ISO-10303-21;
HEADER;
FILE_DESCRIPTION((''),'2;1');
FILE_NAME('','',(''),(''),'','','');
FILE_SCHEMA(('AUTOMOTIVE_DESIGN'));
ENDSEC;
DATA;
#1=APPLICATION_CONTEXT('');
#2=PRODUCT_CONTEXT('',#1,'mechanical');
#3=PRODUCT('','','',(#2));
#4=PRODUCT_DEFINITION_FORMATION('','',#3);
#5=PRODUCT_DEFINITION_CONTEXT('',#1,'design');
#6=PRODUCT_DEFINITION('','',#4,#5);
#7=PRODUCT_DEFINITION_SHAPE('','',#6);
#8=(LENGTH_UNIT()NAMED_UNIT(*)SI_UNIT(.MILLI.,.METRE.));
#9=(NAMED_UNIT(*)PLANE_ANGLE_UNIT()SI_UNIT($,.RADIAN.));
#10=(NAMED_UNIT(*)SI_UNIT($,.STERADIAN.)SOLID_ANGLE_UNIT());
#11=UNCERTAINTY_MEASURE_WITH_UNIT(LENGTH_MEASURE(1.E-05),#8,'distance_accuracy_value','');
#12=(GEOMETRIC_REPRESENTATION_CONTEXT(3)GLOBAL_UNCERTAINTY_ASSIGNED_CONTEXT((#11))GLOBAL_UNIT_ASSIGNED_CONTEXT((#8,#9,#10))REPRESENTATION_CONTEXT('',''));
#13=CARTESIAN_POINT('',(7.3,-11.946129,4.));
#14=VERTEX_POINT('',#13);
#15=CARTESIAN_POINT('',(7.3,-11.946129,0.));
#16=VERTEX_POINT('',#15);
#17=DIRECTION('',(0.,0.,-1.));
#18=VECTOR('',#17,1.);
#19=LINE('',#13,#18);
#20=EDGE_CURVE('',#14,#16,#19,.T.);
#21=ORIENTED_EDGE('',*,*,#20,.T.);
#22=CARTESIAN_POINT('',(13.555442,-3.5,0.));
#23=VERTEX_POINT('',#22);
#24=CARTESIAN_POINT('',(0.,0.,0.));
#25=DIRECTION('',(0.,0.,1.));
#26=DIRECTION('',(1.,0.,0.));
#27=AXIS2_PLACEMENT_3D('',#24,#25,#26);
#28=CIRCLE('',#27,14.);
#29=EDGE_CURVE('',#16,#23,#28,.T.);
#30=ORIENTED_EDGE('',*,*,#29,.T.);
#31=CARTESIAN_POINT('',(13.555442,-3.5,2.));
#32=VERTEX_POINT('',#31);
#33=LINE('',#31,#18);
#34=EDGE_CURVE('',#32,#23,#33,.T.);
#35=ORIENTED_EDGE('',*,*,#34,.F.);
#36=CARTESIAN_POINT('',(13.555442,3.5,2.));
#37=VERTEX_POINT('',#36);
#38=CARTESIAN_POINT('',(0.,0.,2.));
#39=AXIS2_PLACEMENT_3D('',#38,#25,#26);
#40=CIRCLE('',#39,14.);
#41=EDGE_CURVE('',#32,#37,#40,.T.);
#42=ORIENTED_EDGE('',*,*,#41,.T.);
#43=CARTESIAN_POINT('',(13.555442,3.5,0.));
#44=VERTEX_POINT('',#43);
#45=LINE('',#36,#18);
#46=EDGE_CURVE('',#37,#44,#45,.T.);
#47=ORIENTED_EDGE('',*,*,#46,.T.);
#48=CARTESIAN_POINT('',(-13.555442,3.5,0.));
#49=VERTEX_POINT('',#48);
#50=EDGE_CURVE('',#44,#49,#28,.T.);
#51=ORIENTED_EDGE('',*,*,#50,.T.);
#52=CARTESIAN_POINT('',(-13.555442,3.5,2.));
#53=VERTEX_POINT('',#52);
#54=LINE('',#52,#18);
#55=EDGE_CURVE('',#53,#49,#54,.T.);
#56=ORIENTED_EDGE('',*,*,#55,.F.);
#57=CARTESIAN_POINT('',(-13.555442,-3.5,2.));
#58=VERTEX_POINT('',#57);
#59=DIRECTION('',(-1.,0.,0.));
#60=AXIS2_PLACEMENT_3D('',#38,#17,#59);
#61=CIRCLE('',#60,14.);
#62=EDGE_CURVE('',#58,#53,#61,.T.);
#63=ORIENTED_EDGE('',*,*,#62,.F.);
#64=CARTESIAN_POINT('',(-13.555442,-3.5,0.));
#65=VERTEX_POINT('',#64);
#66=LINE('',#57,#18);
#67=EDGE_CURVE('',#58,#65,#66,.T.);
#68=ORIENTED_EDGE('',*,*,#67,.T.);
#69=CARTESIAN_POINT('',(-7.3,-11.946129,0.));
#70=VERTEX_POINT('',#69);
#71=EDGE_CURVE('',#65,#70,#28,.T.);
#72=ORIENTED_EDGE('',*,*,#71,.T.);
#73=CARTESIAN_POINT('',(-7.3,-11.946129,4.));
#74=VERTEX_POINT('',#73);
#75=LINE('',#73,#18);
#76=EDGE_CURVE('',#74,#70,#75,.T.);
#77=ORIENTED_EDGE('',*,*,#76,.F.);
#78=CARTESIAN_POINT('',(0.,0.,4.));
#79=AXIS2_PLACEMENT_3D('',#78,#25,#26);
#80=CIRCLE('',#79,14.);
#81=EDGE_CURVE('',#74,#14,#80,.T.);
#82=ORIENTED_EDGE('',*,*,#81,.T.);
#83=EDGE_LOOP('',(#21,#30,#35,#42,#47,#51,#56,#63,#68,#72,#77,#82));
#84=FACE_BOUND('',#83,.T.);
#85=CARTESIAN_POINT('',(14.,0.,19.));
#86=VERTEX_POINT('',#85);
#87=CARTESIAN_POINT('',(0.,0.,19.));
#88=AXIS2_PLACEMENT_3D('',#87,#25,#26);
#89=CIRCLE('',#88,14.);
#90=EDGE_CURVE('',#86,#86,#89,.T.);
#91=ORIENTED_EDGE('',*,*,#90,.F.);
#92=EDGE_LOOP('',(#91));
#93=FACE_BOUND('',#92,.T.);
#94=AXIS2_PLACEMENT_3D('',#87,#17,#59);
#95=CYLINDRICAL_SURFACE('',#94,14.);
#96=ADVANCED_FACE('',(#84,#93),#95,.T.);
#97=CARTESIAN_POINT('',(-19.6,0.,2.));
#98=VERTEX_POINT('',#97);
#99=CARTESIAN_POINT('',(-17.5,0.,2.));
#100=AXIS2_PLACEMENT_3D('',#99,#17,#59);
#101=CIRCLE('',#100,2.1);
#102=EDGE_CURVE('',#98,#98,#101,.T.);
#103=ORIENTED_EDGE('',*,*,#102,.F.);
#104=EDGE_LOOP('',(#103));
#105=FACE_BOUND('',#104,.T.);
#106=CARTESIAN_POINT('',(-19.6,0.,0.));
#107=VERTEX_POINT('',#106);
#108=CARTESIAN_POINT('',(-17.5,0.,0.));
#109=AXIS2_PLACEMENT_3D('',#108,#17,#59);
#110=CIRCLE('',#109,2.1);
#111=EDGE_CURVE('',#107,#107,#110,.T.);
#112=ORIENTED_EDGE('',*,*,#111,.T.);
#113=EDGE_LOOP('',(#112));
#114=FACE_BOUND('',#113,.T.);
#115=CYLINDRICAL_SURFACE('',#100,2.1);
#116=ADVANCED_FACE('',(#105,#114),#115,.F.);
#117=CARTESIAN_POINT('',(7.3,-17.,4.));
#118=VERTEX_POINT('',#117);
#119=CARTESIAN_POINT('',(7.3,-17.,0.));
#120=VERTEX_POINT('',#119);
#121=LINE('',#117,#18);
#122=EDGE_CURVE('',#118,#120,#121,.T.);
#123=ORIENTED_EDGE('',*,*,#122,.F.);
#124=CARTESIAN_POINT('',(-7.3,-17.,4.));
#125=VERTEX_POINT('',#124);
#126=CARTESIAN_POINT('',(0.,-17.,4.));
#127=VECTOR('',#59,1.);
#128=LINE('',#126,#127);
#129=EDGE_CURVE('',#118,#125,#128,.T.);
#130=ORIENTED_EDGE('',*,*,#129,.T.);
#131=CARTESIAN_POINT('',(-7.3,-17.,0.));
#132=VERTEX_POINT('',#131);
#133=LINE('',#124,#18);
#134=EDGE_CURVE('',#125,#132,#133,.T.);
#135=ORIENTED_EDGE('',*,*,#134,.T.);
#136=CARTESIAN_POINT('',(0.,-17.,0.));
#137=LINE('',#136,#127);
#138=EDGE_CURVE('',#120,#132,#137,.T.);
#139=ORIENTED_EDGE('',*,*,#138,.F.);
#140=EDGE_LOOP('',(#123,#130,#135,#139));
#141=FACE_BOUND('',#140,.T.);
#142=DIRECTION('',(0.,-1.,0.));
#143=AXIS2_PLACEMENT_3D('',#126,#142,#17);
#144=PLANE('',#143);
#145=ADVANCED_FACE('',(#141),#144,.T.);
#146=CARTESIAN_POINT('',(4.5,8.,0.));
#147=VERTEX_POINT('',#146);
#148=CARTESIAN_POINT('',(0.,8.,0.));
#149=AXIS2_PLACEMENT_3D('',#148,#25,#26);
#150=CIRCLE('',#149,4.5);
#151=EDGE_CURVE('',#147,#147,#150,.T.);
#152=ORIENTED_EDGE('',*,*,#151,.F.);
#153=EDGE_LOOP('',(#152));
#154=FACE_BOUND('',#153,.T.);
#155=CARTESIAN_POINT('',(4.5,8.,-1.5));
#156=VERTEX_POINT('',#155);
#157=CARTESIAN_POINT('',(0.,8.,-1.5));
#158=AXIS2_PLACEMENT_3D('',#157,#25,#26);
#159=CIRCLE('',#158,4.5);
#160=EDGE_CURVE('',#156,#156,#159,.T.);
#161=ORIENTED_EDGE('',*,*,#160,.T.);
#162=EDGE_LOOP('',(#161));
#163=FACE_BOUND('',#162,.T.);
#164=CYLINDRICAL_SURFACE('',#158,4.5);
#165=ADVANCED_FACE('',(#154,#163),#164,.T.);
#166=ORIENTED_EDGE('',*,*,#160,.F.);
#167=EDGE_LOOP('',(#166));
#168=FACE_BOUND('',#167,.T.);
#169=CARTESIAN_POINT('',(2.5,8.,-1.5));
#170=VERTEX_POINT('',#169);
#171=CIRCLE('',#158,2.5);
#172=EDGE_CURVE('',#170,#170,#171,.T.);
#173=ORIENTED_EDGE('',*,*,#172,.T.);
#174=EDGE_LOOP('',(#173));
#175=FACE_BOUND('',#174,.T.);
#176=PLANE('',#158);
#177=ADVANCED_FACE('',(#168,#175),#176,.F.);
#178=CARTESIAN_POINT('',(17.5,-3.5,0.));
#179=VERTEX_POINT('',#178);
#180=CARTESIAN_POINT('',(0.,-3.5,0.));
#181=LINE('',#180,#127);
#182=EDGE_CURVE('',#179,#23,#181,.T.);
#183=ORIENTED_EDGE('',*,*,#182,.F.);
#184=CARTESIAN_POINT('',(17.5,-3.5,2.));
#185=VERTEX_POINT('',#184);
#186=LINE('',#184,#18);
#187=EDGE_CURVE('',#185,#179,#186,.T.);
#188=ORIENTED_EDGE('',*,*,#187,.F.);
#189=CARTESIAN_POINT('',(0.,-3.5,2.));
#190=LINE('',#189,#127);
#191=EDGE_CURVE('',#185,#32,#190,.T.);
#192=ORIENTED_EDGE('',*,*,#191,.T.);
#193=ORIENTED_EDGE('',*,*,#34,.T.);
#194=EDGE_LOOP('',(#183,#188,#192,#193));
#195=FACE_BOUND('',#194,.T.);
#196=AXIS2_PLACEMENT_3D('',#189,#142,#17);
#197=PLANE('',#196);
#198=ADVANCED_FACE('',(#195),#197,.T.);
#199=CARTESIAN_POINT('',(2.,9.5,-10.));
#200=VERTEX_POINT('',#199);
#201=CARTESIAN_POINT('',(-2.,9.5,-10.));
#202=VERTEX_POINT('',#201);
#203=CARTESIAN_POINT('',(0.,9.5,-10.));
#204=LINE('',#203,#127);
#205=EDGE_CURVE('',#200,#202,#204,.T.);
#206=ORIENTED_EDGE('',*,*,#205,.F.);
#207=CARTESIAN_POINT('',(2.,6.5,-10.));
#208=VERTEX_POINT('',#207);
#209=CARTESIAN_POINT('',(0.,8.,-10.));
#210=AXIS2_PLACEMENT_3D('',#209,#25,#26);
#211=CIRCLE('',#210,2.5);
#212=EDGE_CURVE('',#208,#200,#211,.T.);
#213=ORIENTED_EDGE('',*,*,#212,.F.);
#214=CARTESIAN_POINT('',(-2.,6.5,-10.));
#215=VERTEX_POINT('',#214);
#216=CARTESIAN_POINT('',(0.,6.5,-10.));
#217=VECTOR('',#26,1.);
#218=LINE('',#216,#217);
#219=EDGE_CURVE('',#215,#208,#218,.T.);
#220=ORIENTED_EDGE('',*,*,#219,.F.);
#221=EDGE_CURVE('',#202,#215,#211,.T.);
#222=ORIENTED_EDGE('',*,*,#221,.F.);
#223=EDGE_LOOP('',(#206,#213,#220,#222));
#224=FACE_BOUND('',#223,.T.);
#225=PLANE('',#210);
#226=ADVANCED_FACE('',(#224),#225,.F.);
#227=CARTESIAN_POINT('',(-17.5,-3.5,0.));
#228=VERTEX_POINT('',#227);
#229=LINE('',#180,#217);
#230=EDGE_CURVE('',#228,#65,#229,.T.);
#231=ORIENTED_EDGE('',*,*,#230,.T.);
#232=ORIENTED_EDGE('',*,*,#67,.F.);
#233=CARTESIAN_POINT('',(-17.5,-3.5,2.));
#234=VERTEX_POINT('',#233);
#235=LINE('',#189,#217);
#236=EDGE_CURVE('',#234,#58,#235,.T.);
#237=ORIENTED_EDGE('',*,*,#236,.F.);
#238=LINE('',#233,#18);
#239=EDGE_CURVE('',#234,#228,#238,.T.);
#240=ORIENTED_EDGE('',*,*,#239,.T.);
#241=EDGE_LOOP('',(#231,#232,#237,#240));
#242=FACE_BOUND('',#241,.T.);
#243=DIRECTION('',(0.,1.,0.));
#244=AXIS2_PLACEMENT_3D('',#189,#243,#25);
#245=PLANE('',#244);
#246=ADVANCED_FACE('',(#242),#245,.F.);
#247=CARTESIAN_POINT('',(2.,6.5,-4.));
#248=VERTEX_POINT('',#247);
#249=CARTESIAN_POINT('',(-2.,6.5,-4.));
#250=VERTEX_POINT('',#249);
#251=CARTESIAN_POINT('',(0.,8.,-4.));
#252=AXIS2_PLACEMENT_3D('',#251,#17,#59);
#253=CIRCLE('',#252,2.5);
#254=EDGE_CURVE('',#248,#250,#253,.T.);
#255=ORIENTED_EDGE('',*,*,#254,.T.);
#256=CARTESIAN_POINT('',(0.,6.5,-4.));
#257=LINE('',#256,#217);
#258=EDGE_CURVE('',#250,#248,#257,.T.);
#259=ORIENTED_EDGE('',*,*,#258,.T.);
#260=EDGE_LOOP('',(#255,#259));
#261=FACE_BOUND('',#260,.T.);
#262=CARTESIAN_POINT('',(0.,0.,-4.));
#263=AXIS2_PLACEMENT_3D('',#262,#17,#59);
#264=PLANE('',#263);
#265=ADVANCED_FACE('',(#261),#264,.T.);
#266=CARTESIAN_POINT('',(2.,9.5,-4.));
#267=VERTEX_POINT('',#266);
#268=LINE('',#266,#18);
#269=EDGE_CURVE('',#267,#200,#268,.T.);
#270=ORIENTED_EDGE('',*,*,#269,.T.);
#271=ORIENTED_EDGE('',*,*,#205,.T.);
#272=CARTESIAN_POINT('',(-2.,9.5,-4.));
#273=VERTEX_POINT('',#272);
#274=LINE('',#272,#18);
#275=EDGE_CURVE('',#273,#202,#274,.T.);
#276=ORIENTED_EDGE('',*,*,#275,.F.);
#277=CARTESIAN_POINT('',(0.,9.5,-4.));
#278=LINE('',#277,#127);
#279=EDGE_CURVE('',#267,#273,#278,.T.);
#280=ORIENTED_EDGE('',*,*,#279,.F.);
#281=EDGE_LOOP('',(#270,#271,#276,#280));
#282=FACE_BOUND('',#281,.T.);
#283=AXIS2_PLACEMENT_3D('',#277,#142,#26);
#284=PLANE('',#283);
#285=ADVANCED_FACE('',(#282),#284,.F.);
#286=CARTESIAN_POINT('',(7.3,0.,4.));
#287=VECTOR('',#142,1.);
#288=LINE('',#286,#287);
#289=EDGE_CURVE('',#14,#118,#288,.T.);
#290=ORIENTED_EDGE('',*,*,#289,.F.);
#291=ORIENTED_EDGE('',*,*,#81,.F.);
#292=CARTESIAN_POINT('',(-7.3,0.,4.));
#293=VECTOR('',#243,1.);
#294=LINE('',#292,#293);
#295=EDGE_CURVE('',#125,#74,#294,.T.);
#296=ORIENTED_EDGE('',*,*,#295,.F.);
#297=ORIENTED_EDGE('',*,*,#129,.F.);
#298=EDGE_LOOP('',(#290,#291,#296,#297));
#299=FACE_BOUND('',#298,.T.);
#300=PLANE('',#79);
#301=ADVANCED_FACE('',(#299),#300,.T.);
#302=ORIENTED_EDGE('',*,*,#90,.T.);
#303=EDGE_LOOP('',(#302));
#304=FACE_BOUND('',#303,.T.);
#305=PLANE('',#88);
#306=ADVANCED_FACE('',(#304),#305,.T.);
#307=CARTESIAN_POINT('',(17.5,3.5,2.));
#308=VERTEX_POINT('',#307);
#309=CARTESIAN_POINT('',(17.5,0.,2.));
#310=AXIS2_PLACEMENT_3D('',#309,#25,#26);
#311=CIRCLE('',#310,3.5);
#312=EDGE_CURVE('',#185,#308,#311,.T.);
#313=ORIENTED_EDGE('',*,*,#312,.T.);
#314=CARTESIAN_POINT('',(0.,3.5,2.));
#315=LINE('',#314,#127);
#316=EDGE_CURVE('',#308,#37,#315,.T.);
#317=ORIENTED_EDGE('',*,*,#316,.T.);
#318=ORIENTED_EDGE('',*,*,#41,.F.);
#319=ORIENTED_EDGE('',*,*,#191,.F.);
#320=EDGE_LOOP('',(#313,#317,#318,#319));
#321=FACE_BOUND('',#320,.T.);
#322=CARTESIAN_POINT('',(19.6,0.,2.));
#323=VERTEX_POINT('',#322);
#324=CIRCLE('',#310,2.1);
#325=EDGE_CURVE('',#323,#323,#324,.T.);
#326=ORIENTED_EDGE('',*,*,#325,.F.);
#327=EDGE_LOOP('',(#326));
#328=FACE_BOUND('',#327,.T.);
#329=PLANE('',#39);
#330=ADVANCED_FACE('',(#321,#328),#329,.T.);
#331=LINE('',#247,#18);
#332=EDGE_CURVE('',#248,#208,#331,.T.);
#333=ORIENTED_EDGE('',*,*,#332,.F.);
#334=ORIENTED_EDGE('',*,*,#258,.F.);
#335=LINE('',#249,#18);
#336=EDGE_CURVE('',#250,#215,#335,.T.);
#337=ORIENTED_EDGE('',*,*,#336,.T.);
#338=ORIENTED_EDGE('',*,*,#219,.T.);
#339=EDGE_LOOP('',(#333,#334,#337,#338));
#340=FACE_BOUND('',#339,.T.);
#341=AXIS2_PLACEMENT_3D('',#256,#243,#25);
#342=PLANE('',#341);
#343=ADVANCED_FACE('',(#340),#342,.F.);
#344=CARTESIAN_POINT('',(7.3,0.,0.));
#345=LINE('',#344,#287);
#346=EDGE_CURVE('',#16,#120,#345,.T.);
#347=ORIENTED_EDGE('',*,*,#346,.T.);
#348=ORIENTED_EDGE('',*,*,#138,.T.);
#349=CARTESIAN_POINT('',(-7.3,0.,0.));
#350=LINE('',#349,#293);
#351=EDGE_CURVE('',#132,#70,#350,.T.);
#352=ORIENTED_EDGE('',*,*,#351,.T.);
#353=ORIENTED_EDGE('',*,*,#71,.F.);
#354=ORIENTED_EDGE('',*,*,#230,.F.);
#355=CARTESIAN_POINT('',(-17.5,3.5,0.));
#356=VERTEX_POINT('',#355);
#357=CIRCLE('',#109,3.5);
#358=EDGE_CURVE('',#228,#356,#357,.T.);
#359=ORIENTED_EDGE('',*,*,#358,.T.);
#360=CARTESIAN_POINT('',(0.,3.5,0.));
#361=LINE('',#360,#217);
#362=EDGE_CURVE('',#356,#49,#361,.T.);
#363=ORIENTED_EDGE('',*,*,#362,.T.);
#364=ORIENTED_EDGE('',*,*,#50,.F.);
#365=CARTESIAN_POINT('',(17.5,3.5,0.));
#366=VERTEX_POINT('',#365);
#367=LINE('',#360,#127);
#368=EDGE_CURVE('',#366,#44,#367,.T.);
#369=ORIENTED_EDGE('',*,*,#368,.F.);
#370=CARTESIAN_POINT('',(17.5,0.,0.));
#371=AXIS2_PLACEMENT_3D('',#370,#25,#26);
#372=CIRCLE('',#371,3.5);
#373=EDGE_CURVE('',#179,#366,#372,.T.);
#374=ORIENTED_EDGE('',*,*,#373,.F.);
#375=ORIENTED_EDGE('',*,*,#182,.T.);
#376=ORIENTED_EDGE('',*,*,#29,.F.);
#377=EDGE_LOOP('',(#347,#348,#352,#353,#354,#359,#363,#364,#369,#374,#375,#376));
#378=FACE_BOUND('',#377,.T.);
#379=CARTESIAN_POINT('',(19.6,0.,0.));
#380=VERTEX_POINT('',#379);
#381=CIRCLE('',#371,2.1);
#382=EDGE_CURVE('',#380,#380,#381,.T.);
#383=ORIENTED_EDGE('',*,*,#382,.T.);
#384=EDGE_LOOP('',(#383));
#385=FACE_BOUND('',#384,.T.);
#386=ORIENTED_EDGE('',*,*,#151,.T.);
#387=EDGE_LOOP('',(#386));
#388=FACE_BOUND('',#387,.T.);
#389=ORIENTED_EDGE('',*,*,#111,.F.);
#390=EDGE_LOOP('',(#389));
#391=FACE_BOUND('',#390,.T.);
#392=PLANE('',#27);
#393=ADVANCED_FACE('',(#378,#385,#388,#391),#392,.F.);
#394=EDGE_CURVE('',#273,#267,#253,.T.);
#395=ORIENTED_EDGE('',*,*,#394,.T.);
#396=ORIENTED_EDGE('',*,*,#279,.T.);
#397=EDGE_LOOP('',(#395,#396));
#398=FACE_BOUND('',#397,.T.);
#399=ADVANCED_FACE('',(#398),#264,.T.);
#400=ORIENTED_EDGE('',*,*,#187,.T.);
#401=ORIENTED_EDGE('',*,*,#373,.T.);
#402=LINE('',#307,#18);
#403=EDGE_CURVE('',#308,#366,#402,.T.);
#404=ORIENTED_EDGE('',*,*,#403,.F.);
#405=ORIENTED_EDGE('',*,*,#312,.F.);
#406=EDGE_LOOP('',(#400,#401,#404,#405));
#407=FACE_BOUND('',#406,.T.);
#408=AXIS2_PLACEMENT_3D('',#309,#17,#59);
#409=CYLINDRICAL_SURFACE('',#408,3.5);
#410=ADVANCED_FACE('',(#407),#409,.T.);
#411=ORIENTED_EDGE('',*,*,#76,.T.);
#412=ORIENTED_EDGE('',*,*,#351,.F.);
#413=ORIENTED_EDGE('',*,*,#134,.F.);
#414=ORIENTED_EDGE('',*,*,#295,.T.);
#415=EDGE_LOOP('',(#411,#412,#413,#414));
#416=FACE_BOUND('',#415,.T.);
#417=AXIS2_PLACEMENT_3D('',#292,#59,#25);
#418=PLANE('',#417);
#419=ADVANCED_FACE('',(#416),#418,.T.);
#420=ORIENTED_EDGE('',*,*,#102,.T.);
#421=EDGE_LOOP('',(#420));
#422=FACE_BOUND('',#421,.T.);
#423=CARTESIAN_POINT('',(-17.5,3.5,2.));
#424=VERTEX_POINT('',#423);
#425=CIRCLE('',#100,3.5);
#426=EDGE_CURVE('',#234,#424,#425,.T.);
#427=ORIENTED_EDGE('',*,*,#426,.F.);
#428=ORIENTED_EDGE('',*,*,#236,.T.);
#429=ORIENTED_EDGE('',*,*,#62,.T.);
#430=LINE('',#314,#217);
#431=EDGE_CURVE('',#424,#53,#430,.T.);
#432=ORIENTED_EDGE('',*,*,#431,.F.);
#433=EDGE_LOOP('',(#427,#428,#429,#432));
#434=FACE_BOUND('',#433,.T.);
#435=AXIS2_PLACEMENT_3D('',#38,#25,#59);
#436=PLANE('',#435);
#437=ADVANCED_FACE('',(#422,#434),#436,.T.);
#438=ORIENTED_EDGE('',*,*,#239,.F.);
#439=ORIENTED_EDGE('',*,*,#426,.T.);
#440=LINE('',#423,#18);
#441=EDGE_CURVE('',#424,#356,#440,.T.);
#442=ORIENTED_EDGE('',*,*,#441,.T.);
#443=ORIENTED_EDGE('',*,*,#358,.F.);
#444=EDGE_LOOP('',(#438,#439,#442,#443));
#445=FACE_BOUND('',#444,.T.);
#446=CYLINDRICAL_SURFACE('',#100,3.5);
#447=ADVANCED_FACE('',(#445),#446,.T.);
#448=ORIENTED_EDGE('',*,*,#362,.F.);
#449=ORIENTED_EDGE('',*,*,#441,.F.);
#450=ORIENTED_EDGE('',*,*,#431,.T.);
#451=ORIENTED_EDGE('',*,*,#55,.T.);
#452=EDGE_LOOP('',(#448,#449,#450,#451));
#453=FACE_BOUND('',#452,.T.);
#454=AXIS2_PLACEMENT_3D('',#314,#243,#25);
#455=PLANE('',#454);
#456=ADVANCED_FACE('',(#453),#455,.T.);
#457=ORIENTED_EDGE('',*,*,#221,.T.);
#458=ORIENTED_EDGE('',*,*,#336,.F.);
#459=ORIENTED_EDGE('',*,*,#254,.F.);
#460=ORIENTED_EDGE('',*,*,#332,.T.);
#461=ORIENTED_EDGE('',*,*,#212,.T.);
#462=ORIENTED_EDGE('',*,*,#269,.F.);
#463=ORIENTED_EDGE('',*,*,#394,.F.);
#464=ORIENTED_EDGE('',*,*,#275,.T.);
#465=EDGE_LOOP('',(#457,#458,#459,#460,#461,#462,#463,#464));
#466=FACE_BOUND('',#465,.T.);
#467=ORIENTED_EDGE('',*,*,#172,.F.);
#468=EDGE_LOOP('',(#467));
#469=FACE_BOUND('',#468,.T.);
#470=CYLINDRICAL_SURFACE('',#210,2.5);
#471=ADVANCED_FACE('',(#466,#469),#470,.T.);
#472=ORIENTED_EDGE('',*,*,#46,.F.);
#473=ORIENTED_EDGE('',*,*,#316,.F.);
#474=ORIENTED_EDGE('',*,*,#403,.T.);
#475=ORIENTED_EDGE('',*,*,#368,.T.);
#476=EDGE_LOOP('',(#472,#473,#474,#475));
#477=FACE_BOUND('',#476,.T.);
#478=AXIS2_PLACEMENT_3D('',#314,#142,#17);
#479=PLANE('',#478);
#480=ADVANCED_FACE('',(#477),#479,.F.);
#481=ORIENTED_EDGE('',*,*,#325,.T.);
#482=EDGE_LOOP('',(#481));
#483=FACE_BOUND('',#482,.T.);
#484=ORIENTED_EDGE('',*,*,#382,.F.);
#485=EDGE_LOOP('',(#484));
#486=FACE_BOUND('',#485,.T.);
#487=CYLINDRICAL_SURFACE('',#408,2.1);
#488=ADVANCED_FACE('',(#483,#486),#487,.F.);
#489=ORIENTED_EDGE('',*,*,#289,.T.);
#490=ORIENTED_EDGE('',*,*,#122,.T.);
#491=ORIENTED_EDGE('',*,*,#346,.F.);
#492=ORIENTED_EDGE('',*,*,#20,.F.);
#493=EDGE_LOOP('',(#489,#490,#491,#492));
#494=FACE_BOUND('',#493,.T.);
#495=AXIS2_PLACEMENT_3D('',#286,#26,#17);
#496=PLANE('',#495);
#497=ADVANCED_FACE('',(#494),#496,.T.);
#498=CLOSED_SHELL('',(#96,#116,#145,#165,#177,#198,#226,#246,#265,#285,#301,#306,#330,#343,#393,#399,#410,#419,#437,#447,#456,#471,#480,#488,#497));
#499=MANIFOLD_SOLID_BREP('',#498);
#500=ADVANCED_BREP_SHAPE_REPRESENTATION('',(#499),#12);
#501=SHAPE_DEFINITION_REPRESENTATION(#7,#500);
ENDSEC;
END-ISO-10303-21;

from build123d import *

# Parameters (mm, degrees)
SKETCH2_R           = 14
BOSS_EXTRUDE1_DEPTH = 19
SKETCH2_3_R         = 2.1
BOSS_EXTRUDE2_DEPTH = 2
BOSS_EXTRUDE3_DEPTH = 4
SKETCH3_R           = 4.5
BOSS_EXTRUDE4_DEPTH = 1.5
SKETCH5_R           = 2.5
BOSS_EXTRUDE5_DEPTH = 10
CUT_EXTRUDE1_START  = -6
CUT_EXTRUDE1_DEPTH  = 6


with BuildPart() as part:
    # Sketch2 → Boss-Extrude1 (new body)
    with BuildSketch(Plane.XY):
        Circle(SKETCH2_R)
    extrude(amount=BOSS_EXTRUDE1_DEPTH)

    # Sketch2<3> → Boss-Extrude2 (add)
    with BuildSketch(Plane.XY):
        with BuildLine():
            ThreePointArc((17.5, -3.5), (21, 0), (17.5, 3.5))
            Line((17.5, 3.5), (13.555441712, 3.5))
            ThreePointArc((13.555441712, 3.5), (13.888415748, 1.764060095), (14, 0))
            ThreePointArc((14, 0), (13.888415748, -1.764060095), (13.555441712, -3.5))
            Line((13.555441712, -3.5), (17.5, -3.5))
        make_face()
        with Locations((17.5, 0)):
            Circle(SKETCH2_3_R, mode=Mode.SUBTRACT)
    boss_extrude2 = extrude(amount=BOSS_EXTRUDE2_DEPTH)

    # Mirror1: Boss-Extrude2 across plane
    add(boss_extrude2.mirror(Plane(origin=(0, 0, 0), x_dir=(0, 0, 1), z_dir=(1, 0, 0))))

    # Sketch2<4> → Boss-Extrude3 (add)
    with BuildSketch(Plane.XY):
        with BuildLine():
            ThreePointArc((7.3, -11.94612908), (0, -14), (-7.3, -11.94612908))
            Line((-7.3, -11.94612908), (-7.3, -17))
            Line((-7.3, -17), (7.3, -17))
            Line((7.3, -17), (7.3, -11.94612908))
        make_face()
    extrude(amount=BOSS_EXTRUDE3_DEPTH)

    # Sketch3 → Boss-Extrude4 (add)
    with BuildSketch(Plane.XY):
        with Locations((0, 8)):
            Circle(SKETCH3_R)
    extrude(amount=-BOSS_EXTRUDE4_DEPTH)

    # Sketch5 → Boss-Extrude5 (add)
    with BuildSketch(Plane.XY):
        with Locations((0, 8)):
            Circle(SKETCH5_R)
    extrude(amount=-BOSS_EXTRUDE5_DEPTH)

    # Sketch7 → Cut-Extrude1 (cut)
    with BuildSketch(Plane(origin=(0, 0, -10), x_dir=(-1, 0, 0), z_dir=(0, 0, -1)).offset(CUT_EXTRUDE1_START)):
        with BuildLine():
            ThreePointArc((-2, 6.5), (0, 5.5), (2, 6.5))
            Line((2, 6.5), (-2, 6.5))
        make_face()
        with BuildLine():
            ThreePointArc((2, 9.5), (0, 10.5), (-2, 9.5))
            Line((-2, 9.5), (2, 9.5))
        make_face()
    extrude(amount=CUT_EXTRUDE1_DEPTH, mode=Mode.SUBTRACT)


solid = part.part
